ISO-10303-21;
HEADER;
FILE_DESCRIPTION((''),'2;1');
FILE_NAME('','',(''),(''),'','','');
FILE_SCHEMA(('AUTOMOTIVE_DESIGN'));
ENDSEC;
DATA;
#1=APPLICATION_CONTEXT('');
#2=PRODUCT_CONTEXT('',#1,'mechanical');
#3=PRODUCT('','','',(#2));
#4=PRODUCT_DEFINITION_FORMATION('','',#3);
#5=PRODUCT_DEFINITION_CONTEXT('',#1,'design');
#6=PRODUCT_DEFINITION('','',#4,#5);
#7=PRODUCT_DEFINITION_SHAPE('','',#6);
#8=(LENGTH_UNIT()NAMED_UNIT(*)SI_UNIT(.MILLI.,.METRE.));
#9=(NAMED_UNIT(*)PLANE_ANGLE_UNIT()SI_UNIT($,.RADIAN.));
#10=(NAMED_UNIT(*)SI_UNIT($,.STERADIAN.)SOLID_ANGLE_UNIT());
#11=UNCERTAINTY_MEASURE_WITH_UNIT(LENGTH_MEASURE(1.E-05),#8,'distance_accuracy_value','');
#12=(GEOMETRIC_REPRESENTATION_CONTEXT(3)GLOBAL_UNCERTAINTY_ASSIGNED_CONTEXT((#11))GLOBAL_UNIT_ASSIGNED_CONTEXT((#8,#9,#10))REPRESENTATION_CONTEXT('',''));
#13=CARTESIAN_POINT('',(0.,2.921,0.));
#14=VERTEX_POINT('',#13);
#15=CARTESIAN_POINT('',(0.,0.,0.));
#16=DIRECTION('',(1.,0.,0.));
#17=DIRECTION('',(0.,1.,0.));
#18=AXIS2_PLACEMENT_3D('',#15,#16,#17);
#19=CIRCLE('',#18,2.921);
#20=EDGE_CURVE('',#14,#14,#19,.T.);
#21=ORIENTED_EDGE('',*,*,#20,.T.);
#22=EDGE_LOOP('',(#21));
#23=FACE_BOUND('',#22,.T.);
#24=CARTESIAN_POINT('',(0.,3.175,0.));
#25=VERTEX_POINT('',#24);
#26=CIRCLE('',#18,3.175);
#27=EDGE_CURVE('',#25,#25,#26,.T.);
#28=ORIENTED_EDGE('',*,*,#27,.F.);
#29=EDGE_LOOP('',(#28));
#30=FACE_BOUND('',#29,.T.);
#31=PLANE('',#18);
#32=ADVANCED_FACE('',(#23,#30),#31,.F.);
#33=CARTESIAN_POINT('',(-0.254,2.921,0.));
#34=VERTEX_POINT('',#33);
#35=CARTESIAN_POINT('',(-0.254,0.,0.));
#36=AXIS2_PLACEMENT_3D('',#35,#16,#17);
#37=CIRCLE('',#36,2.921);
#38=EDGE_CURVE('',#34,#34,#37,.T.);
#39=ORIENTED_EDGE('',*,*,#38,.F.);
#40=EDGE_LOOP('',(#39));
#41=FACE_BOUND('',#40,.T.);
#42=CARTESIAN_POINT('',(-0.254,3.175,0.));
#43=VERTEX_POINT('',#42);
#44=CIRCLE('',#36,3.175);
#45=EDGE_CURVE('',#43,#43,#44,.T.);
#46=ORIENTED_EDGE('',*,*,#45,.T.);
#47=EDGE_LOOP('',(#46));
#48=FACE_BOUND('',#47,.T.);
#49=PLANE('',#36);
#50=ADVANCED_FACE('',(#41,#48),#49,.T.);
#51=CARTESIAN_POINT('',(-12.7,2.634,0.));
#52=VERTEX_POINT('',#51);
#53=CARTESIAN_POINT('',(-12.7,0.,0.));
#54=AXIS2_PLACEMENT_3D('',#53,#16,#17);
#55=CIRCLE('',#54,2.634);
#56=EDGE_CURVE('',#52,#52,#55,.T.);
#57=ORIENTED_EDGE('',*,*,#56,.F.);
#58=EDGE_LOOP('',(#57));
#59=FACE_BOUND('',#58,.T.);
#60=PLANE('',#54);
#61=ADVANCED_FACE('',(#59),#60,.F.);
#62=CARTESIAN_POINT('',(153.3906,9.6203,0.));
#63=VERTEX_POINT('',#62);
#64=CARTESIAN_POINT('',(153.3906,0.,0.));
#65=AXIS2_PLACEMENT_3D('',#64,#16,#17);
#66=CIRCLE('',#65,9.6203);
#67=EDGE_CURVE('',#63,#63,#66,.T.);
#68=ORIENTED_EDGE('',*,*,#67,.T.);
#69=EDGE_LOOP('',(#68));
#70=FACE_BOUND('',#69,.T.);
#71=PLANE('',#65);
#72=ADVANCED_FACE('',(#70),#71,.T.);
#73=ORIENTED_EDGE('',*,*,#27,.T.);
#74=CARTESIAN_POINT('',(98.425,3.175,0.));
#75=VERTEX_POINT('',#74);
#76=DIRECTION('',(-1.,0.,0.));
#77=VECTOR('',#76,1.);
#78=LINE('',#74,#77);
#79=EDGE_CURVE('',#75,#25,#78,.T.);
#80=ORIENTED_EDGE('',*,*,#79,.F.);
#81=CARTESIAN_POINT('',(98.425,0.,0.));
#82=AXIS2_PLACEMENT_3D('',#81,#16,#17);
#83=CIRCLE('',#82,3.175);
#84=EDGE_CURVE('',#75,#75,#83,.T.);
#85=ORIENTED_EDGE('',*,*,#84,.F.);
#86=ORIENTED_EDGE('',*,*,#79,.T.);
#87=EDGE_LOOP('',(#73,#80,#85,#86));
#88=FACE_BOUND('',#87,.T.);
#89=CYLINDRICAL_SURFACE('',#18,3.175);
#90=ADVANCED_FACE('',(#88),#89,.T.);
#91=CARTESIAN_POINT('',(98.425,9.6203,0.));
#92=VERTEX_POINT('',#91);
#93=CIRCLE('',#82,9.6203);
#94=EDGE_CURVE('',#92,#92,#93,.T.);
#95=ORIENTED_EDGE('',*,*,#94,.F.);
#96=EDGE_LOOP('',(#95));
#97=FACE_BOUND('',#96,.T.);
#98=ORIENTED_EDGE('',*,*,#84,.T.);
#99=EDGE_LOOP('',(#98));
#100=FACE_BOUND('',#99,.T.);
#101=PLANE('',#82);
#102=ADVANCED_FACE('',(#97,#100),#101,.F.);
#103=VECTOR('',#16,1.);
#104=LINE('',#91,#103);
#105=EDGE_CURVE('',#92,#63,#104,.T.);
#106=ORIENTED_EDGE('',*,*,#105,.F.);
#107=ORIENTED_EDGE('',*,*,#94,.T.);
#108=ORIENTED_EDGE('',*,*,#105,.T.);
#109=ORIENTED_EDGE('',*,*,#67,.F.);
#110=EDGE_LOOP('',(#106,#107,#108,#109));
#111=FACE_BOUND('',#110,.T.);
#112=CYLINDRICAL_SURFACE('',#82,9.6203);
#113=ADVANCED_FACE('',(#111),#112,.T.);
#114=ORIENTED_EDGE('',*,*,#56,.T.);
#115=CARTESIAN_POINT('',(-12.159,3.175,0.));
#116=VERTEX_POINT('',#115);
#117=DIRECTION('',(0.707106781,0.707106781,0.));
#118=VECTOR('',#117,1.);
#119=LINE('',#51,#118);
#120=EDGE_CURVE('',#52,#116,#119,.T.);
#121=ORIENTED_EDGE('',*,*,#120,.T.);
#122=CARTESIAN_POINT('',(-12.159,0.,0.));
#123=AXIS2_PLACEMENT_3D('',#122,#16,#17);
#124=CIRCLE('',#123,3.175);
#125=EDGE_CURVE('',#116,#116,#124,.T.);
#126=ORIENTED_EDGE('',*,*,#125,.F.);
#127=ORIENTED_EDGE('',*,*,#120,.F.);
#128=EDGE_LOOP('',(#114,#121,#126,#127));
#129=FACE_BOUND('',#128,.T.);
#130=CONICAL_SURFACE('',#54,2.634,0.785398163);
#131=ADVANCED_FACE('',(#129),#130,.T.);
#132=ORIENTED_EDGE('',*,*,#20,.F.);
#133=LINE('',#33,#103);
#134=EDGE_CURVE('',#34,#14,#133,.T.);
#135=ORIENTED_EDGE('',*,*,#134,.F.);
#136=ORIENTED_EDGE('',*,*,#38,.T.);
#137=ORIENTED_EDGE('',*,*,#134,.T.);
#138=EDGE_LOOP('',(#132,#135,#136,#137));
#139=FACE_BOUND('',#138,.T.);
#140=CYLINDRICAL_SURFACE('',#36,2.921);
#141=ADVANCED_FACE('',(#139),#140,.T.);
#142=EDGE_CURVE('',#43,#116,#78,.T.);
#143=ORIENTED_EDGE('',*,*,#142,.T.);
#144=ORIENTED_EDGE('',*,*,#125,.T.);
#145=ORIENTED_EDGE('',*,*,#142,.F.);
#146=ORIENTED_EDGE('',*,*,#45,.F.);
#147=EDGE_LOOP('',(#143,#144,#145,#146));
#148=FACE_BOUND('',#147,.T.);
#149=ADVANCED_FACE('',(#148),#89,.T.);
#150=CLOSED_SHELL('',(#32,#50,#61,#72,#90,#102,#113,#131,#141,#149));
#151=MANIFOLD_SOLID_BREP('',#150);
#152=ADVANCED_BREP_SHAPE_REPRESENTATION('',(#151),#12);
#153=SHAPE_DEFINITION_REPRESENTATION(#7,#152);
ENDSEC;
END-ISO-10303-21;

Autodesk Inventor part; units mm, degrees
sketch "Sketch_1" plane through (0, 0, 0) normal (0, 0, 1) x (1, 0, 0)
  line L0 (153.3906, 0) -> (0, 0)
  line L1 (0, 0) -> (0, 3.175)
  line L2 (0, 3.175) -> (98.425, 3.175)
  line L3 (98.425, 3.175) -> (98.425, 9.6203)
  line L4 (98.425, 9.6203) -> (153.3906, 9.6203)
  line L5 (153.3906, 9.6203) -> (153.3906, 0)
  line L6 (153.3906, 0) -> (0, 0)
revolve "Revolution1" add sketch "Sketch_1" angle 360 about axis through (153.3906, 0, 0) along (1, 0, 0)
sketch "Sketch_3" plane through (0, 0, 0) normal (0, 0, 1) x (1, 0, 0)
  line L0 (0, 0) -> (-12.7, 0)
  line L1 (-12.7, 0) -> (-12.7, 2.634)
  line L2 (-12.7, 2.634) -> (-12.159, 3.175)
  line L3 (-12.159, 3.175) -> (0, 3.175)
  line L4 (0, 3.175) -> (0, 0)
  line L5 (0, 0) -> (-12.7, 0)
revolve "Revolution2" add sketch "Sketch_3" angle 360 about axis through (0, 0, 0) along (1, 0, 0)
sketch "Sketch_30" plane through (0, 0, 0) normal (0, 0, 1) x (1, 0, 0)
  line L0 (0, 0) -> (-0.254, 0)
  line L1 (-0.254, 3.429) -> (-0.254, 2.921)
  line L2 (-0.254, 2.921) -> (0, 2.921)
  line L3 (0, 2.921) -> (0, 3.429)
  line L4 (0, 3.429) -> (-0.254, 3.429)
revolve "Revolution3" cut sketch "Sketch_30" angle 360 about axis through (0, 0, 0) along (1, 0, 0)
ref_plane "rod_cp_XY" through (0, 0, 0) normal (1, 0, 0) x (0, 0, -1)
ref_plane "rod_cp_YZ" through (0, 0, 0) normal (0, 0, -1) x (0, 1, 0)
ref_plane "rod_cp_ZX" through (0, 0, 0) normal (0, 1, 0) x (1, 0, 0)
ref_plane "to_rod_clevis_XY" through (-12.7, 0, 0) normal (1, 0, 0) x (0, 0, -1)
ref_plane "to_rod_clevis_YZ" through (-12.7, 0, 0) normal (0, 0, -1) x (0, 1, 0)
ref_plane "to_rod_clevis_ZX" through (-12.7, 0, 0) normal (0, 1, 0) x (1, 0, 0)
ref_plane "rl2_XY" through (0, 0, 0) normal (1, 0, 0) x (0, 0, -1)
ref_plane "rl2_YZ" through (0, 0, 0) normal (0, 0, -1) x (0, 1, 0)
ref_plane "rl2_ZX" through (0, 0, 0) normal (0, 1, 0) x (1, 0, 0)
ref_plane "rl1_XY" through (-12.7, 0, 0) normal (1, 0, 0) x (0, 0, -1)
ref_plane "rl1_YZ" through (-12.7, 0, 0) normal (0, 0, -1) x (0, 1, 0)
ref_plane "rl1_ZX" through (-12.7, 0, 0) normal (0, 1, 0) x (1, 0, 0)
ref_plane "thd1_XY" through (-12.7, 3.175, 0) normal (1, 0, 0) x (0, 0, -1)
ref_plane "thd1_YZ" through (-12.7, 3.175, 0) normal (0, 0, -1) x (0, 1, 0)
ref_plane "thd1_ZX" through (-12.7, 3.175, 0) normal (0, 1, 0) x (1, 0, 0)
ref_plane "thd2_XY" through (-12.7, -3.175, 0) normal (1, 0, 0) x (0, 0, -1)
ref_plane "thd2_YZ" through (-12.7, -3.175, 0) normal (0, 0, -1) x (0, 1, 0)
ref_plane "thd2_ZX" through (-12.7, -3.175, 0) normal (0, 1, 0) x (1, 0, 0)
ref_plane "dia1_XY" through (0, 3.175, 0) normal (1, 0, 0) x (0, 0, -1)
ref_plane "dia1_YZ" through (0, 3.175, 0) normal (0, 0, -1) x (0, 1, 0)
ref_plane "dia1_ZX" through (0, 3.175, 0) normal (0, 1, 0) x (1, 0, 0)
ref_plane "dia2_XY" through (0, -3.175, 0) normal (1, 0, 0) x (0, 0, -1)
ref_plane "dia2_YZ" through (0, -3.175, 0) normal (0, 0, -1) x (0, 1, 0)
ref_plane "dia2_ZX" through (0, -3.175, 0) normal (0, 1, 0) x (1, 0, 0)
ref_plane "dia12_XY" through (0, 0, 10.2235) normal (1, 0, 0) x (0, 0, -1)
ref_plane "dia12_YZ" through (0, 0, 10.2235) normal (0, 0, -1) x (0, 1, 0)
ref_plane "dia12_ZX" through (0, 0, 10.2235) normal (0, 1, 0) x (1, 0, 0)
ref_plane "dia22_XY" through (0, 0, -10.2235) normal (1, 0, 0) x (0, 0, -1)
ref_plane "dia22_YZ" through (0, 0, -10.2235) normal (0, 0, -1) x (0, 1, 0)
ref_plane "dia22_ZX" through (0, 0, -10.2235) normal (0, 1, 0) x (1, 0, 0)
properties part number "0430_rod"
